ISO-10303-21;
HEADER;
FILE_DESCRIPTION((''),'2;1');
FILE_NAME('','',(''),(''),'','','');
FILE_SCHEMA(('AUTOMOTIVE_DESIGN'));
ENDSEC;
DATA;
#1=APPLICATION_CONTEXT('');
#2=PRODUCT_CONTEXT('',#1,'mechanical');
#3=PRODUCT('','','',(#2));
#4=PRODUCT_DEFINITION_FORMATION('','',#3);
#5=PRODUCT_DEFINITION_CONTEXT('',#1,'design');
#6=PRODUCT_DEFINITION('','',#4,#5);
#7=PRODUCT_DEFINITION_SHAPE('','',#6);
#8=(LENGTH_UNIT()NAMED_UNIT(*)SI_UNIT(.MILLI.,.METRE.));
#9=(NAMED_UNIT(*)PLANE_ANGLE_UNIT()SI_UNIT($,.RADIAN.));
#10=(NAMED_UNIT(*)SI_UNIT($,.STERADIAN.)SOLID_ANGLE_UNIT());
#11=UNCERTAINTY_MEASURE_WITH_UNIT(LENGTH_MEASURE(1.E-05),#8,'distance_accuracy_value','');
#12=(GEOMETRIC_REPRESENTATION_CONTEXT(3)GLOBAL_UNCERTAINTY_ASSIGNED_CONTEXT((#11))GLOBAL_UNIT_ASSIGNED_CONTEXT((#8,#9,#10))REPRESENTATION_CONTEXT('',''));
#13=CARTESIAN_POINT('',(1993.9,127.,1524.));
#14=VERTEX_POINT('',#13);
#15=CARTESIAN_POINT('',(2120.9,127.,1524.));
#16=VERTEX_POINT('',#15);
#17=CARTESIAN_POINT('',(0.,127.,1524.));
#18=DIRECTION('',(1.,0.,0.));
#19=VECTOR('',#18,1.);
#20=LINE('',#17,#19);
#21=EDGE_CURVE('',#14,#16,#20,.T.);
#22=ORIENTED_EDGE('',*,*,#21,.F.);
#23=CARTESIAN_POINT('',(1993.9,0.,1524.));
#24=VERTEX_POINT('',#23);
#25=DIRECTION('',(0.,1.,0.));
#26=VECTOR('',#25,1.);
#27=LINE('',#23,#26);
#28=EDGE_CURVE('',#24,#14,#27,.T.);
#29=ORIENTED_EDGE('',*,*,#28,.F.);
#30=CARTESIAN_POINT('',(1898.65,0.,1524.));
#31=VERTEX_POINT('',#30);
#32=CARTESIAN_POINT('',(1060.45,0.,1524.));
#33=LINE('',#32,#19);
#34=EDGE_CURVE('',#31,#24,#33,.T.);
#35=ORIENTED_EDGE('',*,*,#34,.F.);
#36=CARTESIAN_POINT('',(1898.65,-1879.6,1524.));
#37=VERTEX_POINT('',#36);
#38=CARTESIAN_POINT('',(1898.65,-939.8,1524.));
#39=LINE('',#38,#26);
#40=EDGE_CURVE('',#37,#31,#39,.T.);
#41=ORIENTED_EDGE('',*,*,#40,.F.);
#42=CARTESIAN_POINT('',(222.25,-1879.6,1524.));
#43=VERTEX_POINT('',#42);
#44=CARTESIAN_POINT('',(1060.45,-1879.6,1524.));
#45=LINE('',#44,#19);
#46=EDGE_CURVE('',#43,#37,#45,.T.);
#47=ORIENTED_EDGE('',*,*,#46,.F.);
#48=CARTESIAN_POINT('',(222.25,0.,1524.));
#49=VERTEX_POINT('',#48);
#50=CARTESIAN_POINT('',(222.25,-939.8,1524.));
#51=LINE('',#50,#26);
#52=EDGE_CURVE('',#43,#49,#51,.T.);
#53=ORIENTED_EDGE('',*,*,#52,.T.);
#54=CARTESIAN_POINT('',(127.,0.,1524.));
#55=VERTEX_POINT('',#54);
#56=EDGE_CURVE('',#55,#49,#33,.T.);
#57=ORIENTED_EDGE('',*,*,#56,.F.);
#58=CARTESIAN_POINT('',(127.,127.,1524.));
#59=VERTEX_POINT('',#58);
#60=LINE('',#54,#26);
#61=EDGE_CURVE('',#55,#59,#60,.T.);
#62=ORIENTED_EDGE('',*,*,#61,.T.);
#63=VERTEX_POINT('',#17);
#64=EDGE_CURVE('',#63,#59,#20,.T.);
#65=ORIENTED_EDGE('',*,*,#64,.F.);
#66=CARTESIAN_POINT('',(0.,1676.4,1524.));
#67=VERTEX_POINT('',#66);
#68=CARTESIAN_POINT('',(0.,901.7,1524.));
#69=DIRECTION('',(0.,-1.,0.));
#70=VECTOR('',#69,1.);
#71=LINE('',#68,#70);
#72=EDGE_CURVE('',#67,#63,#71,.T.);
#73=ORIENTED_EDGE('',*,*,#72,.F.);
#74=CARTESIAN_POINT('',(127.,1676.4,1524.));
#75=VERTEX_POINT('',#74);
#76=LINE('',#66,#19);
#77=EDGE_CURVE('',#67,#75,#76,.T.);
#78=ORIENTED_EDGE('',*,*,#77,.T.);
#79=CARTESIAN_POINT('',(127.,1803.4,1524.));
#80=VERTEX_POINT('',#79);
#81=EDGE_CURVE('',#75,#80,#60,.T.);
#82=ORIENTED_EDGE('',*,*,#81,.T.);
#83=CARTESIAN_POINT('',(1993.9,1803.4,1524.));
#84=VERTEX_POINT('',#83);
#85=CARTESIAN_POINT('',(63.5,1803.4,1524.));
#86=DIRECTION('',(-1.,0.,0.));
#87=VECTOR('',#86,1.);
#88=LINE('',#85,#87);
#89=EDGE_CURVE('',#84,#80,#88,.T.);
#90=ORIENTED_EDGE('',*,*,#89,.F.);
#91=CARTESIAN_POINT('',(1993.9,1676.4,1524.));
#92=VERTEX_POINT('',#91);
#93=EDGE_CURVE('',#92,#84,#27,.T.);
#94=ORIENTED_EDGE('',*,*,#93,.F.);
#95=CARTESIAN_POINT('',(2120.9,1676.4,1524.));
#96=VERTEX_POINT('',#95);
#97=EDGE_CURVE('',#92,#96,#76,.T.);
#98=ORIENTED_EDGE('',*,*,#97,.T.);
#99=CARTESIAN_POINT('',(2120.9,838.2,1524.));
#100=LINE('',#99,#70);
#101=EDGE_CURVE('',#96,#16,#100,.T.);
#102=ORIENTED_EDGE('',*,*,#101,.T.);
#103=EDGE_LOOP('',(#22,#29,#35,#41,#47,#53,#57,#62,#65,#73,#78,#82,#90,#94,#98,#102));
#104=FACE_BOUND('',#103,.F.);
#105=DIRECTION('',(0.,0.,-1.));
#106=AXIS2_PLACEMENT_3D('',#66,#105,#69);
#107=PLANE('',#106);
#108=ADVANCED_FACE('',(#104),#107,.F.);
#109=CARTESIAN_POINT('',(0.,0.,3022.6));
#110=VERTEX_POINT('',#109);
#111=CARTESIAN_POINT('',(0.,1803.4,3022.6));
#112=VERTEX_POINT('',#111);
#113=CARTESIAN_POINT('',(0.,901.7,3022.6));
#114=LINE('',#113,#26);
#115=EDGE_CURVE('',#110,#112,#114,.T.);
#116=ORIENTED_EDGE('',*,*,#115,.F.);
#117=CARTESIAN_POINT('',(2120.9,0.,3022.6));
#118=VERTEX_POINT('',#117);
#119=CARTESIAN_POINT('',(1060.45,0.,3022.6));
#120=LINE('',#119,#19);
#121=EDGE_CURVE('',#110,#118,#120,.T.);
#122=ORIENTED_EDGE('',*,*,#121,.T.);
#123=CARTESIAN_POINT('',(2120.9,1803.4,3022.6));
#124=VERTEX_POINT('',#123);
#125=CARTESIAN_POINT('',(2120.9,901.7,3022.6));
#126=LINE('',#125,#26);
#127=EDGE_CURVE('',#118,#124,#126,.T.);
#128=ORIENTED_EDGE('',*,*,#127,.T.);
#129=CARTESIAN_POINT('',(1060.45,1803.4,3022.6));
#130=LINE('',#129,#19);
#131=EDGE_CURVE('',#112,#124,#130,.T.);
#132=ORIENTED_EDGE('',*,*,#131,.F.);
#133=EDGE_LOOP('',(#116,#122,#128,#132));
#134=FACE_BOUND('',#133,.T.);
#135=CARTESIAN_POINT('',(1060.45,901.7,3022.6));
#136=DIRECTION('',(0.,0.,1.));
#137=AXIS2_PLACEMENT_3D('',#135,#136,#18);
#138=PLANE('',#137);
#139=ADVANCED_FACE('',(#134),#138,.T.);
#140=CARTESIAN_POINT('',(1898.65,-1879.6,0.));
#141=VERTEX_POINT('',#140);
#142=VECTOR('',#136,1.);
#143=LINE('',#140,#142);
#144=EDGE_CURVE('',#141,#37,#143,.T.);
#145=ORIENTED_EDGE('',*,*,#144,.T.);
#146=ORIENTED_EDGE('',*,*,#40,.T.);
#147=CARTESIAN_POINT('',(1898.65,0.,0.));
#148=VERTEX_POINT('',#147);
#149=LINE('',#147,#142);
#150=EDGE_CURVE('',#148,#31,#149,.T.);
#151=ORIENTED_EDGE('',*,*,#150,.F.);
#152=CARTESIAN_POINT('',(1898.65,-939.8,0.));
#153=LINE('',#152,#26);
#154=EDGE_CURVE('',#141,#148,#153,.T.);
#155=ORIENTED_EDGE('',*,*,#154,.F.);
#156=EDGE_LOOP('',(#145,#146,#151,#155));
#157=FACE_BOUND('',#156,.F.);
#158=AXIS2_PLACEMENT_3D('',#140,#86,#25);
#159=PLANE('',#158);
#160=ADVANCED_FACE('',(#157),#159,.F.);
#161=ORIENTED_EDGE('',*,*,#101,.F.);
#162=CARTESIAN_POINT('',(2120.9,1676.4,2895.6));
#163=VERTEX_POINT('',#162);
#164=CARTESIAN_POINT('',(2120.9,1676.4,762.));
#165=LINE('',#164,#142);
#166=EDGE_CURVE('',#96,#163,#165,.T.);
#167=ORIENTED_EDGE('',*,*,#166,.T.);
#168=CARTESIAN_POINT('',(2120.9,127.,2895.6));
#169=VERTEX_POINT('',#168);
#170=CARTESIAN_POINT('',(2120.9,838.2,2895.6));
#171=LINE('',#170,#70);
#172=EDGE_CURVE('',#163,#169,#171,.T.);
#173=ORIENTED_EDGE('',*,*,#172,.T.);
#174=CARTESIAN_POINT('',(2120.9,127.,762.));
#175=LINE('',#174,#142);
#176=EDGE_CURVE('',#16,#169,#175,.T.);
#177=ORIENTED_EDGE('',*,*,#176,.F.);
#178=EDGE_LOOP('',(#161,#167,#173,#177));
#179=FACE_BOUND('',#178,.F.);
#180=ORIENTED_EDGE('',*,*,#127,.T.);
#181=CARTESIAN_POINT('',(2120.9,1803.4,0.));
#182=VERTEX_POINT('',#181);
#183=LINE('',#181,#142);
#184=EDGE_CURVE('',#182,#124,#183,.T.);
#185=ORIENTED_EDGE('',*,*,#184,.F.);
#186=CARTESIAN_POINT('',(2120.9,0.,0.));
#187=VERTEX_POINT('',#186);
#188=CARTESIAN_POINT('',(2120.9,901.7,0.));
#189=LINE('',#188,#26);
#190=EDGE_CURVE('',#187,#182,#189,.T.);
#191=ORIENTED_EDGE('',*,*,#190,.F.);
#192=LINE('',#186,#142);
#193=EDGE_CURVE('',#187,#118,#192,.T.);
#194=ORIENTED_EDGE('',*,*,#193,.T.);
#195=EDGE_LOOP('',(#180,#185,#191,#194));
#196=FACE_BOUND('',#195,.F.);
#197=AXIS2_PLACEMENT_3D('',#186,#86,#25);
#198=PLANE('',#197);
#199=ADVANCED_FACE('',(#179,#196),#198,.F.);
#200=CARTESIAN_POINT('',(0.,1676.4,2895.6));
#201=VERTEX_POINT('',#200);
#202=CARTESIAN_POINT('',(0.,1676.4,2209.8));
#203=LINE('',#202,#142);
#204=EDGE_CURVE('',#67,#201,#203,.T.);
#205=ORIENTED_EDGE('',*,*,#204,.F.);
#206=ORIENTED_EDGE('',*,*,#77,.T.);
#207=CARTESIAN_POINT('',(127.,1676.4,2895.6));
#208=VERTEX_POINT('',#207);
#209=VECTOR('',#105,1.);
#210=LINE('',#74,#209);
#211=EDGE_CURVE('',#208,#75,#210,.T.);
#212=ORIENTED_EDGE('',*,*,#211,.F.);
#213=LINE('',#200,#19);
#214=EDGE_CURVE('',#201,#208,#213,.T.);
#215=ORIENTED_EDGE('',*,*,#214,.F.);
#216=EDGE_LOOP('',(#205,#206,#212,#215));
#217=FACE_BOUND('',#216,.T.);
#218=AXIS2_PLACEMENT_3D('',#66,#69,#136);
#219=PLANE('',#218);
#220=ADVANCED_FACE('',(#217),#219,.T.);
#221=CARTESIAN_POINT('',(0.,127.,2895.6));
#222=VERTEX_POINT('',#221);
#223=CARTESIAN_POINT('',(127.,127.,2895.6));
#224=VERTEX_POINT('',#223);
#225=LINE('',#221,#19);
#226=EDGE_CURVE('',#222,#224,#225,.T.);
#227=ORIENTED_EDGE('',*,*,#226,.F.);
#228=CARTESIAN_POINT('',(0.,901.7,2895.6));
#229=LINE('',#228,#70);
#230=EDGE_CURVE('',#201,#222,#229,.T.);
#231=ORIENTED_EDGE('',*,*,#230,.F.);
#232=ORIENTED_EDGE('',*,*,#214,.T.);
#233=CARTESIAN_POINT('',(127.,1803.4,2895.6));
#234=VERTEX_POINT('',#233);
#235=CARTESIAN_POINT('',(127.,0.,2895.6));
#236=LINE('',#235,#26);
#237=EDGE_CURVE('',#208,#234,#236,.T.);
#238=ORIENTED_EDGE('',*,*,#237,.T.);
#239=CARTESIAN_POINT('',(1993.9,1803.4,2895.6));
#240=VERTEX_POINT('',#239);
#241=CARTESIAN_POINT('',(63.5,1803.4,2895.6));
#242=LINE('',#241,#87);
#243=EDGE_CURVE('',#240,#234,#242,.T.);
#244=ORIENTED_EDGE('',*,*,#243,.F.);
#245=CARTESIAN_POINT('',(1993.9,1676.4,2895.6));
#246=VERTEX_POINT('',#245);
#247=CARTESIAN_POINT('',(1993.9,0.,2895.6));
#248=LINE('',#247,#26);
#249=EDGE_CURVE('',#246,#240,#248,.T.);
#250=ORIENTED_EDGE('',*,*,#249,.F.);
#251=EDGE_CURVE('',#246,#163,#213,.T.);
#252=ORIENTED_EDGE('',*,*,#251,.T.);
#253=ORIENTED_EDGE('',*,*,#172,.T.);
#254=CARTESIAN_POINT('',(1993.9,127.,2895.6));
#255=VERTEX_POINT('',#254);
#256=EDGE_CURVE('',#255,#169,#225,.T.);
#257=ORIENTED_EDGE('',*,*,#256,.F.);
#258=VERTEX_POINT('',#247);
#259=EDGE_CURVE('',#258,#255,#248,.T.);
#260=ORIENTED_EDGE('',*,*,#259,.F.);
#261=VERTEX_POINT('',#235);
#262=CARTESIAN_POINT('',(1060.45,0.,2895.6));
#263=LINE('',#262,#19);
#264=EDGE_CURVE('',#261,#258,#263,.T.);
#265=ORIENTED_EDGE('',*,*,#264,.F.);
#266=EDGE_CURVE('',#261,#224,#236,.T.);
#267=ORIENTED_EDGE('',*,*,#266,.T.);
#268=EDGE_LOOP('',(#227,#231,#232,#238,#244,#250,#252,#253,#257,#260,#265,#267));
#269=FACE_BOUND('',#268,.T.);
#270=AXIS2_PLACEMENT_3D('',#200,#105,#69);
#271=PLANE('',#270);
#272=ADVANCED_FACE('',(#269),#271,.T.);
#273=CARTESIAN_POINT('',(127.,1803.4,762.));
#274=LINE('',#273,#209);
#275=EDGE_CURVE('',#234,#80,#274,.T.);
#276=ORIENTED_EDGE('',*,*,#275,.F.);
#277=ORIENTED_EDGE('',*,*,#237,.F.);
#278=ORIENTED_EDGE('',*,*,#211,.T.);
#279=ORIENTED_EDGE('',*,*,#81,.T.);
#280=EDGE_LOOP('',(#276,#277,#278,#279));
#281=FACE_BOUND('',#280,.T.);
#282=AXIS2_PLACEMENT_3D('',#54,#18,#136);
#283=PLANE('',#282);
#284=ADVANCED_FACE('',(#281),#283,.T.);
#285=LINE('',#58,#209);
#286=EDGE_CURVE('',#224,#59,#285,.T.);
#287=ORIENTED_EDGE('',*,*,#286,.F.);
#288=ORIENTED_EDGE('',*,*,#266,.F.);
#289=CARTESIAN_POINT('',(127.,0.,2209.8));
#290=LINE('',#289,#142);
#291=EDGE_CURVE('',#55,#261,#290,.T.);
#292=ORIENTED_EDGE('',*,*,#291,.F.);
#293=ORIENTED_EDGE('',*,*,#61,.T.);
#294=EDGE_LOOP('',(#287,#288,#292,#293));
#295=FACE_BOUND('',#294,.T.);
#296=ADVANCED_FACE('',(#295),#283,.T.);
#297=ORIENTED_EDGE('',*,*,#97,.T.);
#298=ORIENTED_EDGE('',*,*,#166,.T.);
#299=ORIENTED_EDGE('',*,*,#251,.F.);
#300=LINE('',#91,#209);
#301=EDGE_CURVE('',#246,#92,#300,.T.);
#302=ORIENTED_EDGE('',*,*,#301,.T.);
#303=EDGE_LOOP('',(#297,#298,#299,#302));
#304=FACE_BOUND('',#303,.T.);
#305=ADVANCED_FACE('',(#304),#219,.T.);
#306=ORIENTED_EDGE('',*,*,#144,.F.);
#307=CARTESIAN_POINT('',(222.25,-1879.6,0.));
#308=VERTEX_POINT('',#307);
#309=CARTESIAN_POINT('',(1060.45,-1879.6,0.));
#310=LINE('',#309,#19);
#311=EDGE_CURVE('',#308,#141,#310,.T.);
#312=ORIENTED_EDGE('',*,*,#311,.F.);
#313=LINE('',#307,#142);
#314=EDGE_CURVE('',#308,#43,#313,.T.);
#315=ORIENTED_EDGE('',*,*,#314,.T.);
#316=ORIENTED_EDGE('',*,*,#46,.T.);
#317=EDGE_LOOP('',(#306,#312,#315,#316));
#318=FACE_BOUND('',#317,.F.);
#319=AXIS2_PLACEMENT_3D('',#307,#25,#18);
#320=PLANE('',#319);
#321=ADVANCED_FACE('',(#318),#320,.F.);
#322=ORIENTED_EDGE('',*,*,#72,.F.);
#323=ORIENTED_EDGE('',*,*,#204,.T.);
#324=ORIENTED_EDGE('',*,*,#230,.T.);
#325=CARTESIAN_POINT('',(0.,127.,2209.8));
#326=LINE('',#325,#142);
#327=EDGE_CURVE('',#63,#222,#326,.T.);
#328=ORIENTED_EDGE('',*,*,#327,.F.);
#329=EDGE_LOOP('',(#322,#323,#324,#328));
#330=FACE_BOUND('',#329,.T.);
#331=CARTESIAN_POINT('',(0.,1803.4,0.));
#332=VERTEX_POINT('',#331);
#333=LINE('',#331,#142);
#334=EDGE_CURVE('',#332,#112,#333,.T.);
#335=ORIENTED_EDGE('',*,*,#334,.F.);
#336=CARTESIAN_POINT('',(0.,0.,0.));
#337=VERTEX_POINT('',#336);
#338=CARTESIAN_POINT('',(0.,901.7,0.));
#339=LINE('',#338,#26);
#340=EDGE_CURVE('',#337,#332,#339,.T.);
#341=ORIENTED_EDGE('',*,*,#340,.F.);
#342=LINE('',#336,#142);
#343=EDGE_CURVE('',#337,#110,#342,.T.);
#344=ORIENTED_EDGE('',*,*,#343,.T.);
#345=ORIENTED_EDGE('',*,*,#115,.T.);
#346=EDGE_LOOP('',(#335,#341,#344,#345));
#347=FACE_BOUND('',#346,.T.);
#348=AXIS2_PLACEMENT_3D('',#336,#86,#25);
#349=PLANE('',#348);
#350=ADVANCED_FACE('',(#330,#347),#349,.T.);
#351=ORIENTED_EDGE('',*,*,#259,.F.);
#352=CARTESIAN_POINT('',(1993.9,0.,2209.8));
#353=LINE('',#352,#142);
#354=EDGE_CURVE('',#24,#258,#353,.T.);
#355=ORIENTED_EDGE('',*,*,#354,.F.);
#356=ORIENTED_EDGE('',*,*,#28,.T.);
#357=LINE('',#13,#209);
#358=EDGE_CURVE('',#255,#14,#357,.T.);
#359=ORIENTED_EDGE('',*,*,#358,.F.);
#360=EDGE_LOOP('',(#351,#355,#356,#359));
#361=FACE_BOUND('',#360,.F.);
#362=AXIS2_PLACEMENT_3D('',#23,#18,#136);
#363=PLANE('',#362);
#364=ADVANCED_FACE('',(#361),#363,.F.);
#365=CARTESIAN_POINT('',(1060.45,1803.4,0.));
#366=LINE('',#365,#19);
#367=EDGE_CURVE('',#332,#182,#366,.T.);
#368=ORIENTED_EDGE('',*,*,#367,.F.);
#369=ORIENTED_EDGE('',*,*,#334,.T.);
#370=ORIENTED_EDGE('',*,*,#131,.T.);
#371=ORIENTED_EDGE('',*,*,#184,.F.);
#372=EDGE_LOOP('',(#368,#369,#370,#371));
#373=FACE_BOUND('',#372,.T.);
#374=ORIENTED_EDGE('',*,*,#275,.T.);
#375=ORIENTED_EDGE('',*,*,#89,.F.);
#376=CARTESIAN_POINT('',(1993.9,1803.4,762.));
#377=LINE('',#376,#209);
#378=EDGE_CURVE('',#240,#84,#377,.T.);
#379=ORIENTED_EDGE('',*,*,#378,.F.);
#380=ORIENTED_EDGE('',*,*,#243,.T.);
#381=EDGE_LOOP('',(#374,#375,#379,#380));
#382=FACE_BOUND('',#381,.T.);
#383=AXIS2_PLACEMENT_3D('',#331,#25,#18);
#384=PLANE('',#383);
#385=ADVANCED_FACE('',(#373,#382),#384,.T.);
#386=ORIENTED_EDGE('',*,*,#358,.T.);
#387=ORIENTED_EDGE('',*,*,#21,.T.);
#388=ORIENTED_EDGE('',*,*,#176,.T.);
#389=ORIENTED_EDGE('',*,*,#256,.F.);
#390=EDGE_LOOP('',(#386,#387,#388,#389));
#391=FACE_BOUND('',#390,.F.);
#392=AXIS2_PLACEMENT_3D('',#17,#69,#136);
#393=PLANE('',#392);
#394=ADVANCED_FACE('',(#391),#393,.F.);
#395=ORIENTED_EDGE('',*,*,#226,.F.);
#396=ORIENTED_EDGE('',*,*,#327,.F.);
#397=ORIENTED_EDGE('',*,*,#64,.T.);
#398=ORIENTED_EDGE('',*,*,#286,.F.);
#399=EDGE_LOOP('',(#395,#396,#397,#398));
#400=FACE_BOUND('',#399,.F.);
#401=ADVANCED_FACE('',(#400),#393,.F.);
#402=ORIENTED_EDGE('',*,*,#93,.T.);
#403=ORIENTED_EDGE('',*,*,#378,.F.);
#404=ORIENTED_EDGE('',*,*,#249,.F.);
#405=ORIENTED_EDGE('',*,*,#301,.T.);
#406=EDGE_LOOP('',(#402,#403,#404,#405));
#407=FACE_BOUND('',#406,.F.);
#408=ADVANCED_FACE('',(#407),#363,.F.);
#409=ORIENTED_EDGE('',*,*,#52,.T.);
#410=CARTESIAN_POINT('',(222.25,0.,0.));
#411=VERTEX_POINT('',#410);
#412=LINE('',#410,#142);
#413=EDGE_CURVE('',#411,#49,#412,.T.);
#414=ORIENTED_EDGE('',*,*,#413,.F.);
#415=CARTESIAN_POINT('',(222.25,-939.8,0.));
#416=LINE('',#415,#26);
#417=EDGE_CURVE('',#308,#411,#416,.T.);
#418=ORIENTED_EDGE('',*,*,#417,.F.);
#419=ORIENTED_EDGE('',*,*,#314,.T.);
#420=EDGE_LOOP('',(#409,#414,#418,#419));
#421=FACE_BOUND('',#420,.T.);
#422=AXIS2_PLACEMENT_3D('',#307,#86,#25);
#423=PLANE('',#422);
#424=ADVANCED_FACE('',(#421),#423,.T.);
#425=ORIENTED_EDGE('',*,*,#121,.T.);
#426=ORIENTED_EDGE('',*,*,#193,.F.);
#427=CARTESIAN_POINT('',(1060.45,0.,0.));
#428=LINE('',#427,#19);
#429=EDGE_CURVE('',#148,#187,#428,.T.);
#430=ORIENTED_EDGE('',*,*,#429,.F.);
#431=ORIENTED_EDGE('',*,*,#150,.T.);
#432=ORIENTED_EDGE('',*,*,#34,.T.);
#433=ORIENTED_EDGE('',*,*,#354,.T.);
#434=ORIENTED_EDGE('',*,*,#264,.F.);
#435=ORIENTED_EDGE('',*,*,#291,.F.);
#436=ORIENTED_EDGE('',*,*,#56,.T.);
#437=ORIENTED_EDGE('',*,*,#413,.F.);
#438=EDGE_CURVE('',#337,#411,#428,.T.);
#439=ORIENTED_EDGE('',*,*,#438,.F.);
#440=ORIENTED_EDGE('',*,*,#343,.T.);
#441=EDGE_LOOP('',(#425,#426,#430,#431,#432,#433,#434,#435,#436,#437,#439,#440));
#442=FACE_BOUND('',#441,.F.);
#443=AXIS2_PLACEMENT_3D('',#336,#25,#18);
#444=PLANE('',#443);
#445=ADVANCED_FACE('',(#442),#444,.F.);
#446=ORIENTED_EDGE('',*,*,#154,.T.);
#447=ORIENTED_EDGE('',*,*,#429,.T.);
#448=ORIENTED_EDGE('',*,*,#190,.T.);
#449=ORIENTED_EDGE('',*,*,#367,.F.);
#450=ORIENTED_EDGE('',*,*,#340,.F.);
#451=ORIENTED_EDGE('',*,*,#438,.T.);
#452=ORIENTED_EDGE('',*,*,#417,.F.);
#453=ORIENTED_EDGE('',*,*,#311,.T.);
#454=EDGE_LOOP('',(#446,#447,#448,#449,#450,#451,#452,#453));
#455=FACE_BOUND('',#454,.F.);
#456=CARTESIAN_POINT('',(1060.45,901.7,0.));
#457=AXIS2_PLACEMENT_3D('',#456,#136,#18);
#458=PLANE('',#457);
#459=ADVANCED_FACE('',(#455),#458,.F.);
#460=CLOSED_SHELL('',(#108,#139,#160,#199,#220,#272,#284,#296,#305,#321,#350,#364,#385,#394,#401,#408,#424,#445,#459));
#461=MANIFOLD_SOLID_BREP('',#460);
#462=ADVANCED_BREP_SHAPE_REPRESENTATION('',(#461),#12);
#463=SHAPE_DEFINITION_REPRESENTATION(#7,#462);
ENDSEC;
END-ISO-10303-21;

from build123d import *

# Parameters (mm, degrees)
F0_W     = 2120.9
F0_H     = 1803.4
F1_DEPTH = 3022.6
F2_W     = 1676.4
F2_H     = 1879.6
F3_DEPTH = 1524
F4_W     = 1866.9
F4_H     = 1371.6
F5_DEPTH = 1803.401
F6_W     = 1549.4
F6_H     = 1371.6
F7_DEPTH = 2120.901


with BuildPart() as f1:
    # F0 (on Top) → F1 (new body)
    with BuildSketch(Plane.XY):
        with Locations((1060.45, 901.7)):
            Rectangle(F0_W, F0_H)
    extrude(amount=F1_DEPTH)

    # F2 (on Top) → F3 (join)
    with BuildSketch(Plane.XY):
        with Locations((1060.45, -939.8)):
            Rectangle(F2_W, F2_H)
    extrude(amount=F3_DEPTH)

    # F4 (on face) → F5 (cut, through all)
    with BuildSketch(Plane.XZ):
        with Locations((1060.45, 2209.8)):
            Rectangle(F4_W, F4_H)
    extrude(amount=-F5_DEPTH, mode=Mode.SUBTRACT)

    # F6 (on face) → F7 (cut, through all)
    with BuildSketch(Plane(origin=(0, 0, 0), x_dir=(0, -1, 0), z_dir=(-1, 0, 0))):
        with Locations((-901.7, 2209.8)):
            Rectangle(F6_W, F6_H)
    extrude(amount=-F7_DEPTH, mode=Mode.SUBTRACT)


solid = f1.part
